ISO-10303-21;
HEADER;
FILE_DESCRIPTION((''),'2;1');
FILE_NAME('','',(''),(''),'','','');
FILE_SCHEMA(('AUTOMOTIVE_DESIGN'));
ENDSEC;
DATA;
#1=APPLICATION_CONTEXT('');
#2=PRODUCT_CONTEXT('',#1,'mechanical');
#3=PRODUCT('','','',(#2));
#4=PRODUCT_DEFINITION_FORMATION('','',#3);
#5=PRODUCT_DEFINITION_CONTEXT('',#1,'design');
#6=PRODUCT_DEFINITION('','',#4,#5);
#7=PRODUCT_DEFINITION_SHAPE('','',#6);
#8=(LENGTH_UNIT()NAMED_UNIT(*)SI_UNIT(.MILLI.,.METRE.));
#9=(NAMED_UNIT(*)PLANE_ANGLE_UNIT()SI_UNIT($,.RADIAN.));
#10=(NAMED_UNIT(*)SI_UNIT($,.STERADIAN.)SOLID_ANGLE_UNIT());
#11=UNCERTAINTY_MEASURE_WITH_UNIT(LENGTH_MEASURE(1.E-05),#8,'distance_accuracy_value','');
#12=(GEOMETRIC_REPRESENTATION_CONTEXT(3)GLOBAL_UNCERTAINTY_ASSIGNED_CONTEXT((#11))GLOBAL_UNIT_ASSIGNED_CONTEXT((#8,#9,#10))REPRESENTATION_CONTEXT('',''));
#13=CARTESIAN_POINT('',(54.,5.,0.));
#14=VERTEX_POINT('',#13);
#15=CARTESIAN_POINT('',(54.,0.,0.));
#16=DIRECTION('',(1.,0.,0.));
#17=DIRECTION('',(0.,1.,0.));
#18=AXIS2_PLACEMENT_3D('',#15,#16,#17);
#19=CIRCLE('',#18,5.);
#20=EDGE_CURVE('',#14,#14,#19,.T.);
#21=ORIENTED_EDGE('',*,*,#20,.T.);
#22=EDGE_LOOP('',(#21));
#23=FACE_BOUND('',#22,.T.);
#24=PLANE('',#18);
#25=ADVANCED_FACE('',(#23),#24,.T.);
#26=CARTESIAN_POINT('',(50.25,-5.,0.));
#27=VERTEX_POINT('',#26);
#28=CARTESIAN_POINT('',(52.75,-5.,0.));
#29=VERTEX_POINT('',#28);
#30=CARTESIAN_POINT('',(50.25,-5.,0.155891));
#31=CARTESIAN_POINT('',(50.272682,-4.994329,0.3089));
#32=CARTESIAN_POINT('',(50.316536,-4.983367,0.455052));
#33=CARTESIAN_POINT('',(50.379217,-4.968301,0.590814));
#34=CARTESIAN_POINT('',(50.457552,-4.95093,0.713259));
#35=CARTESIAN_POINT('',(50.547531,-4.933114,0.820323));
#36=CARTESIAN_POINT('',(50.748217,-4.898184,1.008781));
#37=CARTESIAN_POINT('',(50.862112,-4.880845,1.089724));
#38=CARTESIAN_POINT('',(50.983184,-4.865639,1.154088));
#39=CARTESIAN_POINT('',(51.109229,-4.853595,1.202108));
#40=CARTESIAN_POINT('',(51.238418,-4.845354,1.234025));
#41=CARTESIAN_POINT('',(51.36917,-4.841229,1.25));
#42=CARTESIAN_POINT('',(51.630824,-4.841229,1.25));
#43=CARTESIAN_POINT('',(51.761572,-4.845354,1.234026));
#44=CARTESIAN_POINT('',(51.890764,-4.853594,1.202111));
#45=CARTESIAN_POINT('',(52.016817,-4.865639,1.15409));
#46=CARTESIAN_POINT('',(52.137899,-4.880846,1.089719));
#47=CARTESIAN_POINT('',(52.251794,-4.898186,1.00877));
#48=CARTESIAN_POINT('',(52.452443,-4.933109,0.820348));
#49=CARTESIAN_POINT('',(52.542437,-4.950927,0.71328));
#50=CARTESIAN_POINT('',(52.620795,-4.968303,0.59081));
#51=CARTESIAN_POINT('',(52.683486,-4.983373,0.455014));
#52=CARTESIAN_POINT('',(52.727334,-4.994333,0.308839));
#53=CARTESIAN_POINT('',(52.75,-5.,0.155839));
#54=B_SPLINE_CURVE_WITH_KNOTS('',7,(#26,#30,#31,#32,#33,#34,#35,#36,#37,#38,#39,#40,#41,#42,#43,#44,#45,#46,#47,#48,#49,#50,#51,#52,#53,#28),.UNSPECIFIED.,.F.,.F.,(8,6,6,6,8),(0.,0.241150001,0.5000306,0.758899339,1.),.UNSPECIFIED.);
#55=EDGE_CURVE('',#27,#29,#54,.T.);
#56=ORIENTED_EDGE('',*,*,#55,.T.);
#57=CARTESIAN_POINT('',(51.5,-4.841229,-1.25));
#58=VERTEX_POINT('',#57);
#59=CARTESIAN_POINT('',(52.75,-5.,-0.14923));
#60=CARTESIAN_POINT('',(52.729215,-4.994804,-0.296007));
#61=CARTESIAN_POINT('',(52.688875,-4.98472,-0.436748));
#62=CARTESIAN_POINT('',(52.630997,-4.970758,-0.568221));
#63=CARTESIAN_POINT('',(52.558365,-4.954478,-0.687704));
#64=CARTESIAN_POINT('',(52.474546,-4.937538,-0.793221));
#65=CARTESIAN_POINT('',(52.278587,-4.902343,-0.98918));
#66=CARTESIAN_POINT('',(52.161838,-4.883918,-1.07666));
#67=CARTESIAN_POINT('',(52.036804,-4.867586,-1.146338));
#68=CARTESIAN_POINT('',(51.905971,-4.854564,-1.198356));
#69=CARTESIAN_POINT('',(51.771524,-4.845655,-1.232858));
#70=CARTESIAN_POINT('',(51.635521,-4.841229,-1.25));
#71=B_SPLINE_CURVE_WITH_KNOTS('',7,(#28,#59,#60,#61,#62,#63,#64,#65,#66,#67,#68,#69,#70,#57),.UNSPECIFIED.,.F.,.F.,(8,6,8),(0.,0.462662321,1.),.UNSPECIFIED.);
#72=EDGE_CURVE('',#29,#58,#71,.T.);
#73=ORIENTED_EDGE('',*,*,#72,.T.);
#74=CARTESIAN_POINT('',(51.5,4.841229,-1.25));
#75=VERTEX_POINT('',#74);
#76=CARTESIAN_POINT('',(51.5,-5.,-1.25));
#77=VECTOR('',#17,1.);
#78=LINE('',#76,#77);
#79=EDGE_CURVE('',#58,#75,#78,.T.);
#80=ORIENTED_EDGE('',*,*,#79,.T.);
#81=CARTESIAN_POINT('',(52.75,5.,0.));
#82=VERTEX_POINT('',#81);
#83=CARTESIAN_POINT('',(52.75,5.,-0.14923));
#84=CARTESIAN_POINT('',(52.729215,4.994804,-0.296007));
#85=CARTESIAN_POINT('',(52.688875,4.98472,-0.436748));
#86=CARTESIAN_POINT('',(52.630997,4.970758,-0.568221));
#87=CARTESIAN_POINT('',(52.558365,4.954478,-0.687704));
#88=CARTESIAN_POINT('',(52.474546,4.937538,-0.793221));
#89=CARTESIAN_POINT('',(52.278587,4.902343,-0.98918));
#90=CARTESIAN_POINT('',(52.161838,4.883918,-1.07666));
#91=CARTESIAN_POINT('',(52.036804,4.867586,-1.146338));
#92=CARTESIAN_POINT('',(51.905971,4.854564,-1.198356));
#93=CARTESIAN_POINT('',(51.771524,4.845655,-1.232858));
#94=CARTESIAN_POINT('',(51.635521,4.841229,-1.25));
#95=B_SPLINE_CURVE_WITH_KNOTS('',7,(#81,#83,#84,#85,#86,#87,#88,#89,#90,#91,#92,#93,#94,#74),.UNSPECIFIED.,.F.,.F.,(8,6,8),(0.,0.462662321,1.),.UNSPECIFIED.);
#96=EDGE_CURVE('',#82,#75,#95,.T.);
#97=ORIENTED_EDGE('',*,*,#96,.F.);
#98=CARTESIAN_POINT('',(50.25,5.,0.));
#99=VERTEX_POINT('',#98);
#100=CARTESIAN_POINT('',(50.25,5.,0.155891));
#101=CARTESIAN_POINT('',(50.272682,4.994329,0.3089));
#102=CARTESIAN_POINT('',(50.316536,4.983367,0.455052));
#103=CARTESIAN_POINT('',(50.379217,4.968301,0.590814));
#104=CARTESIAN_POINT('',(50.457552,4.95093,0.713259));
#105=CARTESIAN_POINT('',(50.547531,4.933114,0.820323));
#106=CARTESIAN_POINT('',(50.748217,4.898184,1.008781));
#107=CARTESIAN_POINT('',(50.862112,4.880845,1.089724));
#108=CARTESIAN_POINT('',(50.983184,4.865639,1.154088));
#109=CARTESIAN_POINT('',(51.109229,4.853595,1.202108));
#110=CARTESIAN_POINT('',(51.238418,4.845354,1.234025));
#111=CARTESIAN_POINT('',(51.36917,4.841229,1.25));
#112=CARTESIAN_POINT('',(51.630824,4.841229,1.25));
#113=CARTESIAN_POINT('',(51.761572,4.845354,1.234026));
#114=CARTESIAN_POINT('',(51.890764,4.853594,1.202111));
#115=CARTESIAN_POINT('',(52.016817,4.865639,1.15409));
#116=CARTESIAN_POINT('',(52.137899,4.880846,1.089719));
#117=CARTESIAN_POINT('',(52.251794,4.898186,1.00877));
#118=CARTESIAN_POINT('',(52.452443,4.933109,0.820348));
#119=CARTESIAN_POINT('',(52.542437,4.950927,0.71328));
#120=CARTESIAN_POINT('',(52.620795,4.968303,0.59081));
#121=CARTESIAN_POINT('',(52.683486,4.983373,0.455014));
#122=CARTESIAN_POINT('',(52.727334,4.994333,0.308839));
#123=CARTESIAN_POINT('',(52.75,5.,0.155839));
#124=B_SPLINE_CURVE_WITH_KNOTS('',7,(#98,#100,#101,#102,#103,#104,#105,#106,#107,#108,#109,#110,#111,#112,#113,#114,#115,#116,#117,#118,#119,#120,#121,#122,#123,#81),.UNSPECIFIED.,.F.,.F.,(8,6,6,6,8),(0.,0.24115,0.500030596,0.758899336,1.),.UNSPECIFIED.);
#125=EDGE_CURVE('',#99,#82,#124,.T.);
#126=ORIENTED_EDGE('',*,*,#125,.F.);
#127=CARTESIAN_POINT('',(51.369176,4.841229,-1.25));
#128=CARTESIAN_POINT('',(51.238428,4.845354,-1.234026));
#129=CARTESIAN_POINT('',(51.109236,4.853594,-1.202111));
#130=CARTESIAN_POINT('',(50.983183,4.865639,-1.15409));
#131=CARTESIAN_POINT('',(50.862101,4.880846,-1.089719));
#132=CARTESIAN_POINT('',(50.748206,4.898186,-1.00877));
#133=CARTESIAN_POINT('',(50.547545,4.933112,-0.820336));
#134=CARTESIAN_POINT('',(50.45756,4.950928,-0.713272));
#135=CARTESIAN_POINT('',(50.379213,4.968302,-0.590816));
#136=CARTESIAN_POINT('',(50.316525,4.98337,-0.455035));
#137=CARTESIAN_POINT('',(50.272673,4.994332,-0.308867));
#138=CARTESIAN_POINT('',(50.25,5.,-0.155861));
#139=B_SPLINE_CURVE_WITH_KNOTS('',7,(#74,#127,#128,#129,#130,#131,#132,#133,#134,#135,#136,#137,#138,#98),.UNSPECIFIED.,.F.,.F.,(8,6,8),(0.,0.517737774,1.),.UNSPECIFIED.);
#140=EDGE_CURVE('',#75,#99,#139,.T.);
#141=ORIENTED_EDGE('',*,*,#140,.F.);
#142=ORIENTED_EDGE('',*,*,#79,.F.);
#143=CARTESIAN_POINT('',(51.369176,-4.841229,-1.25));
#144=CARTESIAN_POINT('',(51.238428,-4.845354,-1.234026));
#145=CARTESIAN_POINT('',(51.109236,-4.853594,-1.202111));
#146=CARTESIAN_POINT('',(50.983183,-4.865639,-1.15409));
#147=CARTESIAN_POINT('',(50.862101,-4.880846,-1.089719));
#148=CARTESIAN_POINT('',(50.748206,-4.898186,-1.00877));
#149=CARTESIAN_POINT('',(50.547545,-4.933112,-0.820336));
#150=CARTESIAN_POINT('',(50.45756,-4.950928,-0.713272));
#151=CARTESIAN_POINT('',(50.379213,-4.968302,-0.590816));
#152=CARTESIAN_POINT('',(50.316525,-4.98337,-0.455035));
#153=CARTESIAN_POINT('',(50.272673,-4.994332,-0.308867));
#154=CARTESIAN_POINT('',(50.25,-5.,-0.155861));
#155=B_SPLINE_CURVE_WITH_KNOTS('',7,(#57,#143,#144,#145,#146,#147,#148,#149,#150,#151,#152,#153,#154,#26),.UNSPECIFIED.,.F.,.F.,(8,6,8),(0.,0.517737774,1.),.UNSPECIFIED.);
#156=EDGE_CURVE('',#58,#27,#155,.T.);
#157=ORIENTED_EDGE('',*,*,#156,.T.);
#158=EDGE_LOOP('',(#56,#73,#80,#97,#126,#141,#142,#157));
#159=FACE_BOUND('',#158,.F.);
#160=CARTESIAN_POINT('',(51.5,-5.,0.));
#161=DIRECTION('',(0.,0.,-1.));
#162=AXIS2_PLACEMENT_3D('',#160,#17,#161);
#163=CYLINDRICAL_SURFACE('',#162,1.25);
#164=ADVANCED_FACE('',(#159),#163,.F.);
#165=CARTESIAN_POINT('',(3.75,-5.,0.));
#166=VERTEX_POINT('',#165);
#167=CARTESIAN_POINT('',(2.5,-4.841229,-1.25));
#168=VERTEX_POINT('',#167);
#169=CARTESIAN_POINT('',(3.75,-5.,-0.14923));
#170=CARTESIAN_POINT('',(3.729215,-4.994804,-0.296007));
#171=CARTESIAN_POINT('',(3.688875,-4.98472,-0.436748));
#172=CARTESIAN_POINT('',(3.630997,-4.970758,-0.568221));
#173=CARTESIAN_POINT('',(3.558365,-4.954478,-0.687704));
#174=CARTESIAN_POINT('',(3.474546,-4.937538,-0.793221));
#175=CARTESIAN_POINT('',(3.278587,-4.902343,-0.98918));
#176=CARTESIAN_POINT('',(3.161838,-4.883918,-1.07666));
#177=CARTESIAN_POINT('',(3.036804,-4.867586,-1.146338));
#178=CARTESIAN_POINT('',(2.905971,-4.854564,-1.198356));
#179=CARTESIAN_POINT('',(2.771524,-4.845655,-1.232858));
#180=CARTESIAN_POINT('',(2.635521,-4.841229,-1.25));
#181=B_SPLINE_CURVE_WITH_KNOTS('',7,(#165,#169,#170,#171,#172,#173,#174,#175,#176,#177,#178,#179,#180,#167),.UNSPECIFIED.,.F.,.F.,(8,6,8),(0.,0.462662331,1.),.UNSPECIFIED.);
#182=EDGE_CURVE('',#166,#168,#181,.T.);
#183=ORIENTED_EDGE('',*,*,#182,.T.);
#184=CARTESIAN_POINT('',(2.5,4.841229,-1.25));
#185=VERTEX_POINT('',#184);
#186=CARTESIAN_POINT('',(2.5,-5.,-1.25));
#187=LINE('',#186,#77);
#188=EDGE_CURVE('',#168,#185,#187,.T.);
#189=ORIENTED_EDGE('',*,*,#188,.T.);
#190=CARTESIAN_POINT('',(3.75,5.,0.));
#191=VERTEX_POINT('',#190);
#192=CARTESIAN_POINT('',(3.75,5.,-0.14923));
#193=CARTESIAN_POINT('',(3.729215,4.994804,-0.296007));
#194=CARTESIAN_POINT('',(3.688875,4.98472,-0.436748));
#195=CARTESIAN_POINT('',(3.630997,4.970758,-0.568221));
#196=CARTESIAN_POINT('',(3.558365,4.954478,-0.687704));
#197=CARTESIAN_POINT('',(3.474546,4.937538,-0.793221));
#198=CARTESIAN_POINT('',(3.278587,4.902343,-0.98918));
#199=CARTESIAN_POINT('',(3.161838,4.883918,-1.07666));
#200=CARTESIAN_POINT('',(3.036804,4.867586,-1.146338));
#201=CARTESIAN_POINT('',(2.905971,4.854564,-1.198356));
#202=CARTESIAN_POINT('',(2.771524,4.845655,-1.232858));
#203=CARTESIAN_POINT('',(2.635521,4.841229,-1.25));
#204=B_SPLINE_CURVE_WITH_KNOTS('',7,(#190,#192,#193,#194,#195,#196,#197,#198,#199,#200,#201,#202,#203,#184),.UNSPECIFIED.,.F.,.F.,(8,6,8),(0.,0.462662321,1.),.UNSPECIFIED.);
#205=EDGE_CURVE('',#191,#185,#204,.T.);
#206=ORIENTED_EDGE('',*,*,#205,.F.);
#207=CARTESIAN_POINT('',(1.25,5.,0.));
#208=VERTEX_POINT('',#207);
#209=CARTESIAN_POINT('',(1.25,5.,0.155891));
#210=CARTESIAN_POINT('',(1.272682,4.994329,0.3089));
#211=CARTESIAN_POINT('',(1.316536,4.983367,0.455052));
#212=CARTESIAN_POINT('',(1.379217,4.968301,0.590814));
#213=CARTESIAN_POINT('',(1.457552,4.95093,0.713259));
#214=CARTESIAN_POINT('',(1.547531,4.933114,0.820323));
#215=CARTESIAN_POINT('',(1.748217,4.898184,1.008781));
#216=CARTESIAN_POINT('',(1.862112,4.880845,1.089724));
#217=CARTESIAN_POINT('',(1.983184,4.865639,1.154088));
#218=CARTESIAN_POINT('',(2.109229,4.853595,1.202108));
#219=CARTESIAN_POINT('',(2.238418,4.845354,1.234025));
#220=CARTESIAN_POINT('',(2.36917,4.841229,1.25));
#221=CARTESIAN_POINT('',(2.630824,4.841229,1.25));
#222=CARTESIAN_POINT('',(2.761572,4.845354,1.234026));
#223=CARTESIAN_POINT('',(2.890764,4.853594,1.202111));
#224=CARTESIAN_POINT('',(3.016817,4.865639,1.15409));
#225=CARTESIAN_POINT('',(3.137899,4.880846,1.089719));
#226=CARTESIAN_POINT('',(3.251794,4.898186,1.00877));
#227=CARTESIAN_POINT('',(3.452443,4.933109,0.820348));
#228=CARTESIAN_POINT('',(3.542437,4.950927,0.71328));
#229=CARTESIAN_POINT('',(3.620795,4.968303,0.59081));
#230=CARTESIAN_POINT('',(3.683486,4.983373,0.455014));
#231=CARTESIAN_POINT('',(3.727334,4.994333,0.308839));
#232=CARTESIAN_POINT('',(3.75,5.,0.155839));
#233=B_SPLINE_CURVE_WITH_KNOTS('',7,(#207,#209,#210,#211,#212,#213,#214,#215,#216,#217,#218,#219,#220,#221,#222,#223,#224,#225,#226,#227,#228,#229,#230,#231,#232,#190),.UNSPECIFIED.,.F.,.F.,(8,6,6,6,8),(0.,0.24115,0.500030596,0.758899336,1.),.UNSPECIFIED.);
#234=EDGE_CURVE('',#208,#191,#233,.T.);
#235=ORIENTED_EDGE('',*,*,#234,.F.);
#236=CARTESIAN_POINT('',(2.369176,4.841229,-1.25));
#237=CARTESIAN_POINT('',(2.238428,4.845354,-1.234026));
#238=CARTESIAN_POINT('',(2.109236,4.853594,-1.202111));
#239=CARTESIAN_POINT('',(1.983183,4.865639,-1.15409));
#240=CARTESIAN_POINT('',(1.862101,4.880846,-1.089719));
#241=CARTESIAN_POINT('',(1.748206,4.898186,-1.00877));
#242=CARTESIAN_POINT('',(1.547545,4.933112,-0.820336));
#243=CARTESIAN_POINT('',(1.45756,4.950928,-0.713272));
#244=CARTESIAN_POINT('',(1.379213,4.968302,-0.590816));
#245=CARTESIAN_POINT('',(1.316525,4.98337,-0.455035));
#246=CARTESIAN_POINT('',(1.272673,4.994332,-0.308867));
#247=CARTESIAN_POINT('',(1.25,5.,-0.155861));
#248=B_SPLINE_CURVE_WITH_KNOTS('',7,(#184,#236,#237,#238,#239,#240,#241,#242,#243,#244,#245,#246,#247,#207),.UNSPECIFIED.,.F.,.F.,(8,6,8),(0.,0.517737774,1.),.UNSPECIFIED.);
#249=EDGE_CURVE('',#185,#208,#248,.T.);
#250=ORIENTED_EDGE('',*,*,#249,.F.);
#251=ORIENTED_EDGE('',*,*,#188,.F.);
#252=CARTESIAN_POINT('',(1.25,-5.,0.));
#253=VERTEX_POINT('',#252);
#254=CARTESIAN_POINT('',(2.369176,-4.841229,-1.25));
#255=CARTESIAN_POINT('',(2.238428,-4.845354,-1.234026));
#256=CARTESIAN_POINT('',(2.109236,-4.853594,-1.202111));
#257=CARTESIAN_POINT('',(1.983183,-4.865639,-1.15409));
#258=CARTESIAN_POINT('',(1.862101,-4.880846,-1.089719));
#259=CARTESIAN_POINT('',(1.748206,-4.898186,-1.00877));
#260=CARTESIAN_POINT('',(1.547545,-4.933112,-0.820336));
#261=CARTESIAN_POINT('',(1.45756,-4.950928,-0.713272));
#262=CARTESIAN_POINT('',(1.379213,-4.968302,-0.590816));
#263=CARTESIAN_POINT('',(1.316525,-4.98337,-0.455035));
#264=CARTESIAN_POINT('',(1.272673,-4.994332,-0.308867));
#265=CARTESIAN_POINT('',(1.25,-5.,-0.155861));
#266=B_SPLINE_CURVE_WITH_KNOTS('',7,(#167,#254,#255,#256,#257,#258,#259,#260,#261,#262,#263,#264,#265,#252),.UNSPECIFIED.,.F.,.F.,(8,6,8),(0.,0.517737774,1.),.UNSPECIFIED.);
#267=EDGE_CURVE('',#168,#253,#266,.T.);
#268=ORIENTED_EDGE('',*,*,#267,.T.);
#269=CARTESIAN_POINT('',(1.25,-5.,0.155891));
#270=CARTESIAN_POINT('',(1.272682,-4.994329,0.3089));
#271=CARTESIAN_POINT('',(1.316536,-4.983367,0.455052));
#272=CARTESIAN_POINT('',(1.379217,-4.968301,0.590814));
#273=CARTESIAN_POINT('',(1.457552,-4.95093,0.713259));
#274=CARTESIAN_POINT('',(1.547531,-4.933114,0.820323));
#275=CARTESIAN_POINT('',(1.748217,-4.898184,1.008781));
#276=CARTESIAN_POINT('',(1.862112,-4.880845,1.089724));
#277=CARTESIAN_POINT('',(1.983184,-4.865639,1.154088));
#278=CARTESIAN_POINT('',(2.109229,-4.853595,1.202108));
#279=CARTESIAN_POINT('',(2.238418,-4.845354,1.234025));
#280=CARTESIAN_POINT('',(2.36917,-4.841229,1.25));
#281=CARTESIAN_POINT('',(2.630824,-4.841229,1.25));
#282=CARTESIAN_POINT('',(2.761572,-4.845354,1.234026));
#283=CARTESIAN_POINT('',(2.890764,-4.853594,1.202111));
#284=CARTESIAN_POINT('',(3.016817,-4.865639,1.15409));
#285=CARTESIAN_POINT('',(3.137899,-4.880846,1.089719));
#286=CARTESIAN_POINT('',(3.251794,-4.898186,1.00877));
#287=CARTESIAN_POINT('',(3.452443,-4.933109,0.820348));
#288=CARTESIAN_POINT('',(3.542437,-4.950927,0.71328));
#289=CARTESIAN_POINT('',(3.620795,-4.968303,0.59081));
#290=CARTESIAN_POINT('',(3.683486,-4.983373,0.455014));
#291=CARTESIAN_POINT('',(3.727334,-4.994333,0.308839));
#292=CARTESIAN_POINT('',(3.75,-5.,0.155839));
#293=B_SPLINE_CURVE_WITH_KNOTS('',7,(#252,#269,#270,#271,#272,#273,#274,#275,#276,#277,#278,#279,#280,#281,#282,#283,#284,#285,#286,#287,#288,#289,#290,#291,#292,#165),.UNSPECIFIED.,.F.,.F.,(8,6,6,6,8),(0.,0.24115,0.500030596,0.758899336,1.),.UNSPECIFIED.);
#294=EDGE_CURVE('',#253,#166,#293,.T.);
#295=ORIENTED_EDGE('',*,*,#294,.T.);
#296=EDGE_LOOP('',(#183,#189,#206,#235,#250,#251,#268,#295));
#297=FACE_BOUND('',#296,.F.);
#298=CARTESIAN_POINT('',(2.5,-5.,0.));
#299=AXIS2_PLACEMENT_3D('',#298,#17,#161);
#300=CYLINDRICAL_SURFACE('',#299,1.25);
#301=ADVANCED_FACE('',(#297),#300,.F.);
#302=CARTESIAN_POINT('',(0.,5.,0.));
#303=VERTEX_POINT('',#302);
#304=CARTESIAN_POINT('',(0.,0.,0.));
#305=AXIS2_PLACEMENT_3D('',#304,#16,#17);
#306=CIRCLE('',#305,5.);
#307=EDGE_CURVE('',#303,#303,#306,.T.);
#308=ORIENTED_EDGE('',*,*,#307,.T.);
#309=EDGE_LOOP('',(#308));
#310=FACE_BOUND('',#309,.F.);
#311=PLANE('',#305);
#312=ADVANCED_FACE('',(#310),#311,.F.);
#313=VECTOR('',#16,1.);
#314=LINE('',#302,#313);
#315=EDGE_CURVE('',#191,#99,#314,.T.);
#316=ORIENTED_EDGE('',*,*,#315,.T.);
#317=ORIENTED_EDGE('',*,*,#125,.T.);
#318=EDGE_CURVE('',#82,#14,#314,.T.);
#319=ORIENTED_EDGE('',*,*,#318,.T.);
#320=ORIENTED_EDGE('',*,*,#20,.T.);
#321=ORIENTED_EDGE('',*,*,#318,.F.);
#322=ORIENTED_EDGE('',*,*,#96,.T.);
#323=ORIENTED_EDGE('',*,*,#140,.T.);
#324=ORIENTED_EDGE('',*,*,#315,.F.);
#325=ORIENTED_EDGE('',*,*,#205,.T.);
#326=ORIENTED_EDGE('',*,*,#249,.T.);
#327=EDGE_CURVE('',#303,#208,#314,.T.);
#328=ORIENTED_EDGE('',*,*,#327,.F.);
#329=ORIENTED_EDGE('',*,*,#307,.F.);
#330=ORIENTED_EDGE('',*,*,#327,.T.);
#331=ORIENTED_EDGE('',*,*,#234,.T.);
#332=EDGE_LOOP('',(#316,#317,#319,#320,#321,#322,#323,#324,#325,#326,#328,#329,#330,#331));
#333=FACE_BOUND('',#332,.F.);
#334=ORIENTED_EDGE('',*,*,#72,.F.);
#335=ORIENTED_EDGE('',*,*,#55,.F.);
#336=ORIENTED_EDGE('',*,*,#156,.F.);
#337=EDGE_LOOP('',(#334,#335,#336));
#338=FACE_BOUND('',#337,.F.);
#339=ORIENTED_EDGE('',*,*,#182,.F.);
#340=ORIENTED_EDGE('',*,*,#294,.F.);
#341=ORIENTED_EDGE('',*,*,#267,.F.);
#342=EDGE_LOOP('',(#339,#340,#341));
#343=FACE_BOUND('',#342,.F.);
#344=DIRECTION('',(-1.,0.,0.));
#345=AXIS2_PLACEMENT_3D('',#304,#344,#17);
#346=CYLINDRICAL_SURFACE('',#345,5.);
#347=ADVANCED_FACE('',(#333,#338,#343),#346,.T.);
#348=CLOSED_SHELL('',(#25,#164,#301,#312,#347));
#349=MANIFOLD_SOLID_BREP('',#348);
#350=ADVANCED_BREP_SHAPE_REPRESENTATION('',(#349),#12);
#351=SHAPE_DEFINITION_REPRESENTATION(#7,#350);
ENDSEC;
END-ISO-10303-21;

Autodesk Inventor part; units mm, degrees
ref_plane "YZ Plane" through (0, 0, 0) normal (1, 0, 0) x (0, 1, 0)
ref_plane "XY Plane" through (0, 0, 0) normal (0, 0, 1) x (1, 0, 0)
sketch "スケッチ1" plane through (0, 0, 0) normal (1, 0, 0) x (0, 1, 0)
  circle A0 centre (0, 0) radius 5
  dimension "d0" = 10
extrude "押し出し1" add sketch "スケッチ1" along normal blind 54
ref_plane "作業平面1" through (0, -5, 0) normal (0, 1, 0) x (-1, 0, 0)
sketch "スケッチ2" plane through (0, -5, 0) normal (0, 1, 0) x (-1, 0, 0)
  line L0 (0, 5) -> (0, -5) projected
  line L1 (-54, 5) -> (-54, -5) projected
  point P0 (0, 0)
  point P1 (-2.5, 0)
  point P2 (-51.5, 0)
  dimension "d3" = 2.5
  dimension "d4" = 2.5
hole "穴1" at (2.5, -5, 0) at (51.5, -5, 0) direction (0, 1, 0) diameter 2.5 end through all
thread "ねじ1" size "M2.5x0.45" class "6H" standard "ANSI Metric M Profile" full length
thread "ねじ2" size "M2.5x0.45" class "6H" standard "ANSI Metric M Profile" full length
properties part number "belt_liner_v1_shaft-54" material "アルミニウム 6061"
